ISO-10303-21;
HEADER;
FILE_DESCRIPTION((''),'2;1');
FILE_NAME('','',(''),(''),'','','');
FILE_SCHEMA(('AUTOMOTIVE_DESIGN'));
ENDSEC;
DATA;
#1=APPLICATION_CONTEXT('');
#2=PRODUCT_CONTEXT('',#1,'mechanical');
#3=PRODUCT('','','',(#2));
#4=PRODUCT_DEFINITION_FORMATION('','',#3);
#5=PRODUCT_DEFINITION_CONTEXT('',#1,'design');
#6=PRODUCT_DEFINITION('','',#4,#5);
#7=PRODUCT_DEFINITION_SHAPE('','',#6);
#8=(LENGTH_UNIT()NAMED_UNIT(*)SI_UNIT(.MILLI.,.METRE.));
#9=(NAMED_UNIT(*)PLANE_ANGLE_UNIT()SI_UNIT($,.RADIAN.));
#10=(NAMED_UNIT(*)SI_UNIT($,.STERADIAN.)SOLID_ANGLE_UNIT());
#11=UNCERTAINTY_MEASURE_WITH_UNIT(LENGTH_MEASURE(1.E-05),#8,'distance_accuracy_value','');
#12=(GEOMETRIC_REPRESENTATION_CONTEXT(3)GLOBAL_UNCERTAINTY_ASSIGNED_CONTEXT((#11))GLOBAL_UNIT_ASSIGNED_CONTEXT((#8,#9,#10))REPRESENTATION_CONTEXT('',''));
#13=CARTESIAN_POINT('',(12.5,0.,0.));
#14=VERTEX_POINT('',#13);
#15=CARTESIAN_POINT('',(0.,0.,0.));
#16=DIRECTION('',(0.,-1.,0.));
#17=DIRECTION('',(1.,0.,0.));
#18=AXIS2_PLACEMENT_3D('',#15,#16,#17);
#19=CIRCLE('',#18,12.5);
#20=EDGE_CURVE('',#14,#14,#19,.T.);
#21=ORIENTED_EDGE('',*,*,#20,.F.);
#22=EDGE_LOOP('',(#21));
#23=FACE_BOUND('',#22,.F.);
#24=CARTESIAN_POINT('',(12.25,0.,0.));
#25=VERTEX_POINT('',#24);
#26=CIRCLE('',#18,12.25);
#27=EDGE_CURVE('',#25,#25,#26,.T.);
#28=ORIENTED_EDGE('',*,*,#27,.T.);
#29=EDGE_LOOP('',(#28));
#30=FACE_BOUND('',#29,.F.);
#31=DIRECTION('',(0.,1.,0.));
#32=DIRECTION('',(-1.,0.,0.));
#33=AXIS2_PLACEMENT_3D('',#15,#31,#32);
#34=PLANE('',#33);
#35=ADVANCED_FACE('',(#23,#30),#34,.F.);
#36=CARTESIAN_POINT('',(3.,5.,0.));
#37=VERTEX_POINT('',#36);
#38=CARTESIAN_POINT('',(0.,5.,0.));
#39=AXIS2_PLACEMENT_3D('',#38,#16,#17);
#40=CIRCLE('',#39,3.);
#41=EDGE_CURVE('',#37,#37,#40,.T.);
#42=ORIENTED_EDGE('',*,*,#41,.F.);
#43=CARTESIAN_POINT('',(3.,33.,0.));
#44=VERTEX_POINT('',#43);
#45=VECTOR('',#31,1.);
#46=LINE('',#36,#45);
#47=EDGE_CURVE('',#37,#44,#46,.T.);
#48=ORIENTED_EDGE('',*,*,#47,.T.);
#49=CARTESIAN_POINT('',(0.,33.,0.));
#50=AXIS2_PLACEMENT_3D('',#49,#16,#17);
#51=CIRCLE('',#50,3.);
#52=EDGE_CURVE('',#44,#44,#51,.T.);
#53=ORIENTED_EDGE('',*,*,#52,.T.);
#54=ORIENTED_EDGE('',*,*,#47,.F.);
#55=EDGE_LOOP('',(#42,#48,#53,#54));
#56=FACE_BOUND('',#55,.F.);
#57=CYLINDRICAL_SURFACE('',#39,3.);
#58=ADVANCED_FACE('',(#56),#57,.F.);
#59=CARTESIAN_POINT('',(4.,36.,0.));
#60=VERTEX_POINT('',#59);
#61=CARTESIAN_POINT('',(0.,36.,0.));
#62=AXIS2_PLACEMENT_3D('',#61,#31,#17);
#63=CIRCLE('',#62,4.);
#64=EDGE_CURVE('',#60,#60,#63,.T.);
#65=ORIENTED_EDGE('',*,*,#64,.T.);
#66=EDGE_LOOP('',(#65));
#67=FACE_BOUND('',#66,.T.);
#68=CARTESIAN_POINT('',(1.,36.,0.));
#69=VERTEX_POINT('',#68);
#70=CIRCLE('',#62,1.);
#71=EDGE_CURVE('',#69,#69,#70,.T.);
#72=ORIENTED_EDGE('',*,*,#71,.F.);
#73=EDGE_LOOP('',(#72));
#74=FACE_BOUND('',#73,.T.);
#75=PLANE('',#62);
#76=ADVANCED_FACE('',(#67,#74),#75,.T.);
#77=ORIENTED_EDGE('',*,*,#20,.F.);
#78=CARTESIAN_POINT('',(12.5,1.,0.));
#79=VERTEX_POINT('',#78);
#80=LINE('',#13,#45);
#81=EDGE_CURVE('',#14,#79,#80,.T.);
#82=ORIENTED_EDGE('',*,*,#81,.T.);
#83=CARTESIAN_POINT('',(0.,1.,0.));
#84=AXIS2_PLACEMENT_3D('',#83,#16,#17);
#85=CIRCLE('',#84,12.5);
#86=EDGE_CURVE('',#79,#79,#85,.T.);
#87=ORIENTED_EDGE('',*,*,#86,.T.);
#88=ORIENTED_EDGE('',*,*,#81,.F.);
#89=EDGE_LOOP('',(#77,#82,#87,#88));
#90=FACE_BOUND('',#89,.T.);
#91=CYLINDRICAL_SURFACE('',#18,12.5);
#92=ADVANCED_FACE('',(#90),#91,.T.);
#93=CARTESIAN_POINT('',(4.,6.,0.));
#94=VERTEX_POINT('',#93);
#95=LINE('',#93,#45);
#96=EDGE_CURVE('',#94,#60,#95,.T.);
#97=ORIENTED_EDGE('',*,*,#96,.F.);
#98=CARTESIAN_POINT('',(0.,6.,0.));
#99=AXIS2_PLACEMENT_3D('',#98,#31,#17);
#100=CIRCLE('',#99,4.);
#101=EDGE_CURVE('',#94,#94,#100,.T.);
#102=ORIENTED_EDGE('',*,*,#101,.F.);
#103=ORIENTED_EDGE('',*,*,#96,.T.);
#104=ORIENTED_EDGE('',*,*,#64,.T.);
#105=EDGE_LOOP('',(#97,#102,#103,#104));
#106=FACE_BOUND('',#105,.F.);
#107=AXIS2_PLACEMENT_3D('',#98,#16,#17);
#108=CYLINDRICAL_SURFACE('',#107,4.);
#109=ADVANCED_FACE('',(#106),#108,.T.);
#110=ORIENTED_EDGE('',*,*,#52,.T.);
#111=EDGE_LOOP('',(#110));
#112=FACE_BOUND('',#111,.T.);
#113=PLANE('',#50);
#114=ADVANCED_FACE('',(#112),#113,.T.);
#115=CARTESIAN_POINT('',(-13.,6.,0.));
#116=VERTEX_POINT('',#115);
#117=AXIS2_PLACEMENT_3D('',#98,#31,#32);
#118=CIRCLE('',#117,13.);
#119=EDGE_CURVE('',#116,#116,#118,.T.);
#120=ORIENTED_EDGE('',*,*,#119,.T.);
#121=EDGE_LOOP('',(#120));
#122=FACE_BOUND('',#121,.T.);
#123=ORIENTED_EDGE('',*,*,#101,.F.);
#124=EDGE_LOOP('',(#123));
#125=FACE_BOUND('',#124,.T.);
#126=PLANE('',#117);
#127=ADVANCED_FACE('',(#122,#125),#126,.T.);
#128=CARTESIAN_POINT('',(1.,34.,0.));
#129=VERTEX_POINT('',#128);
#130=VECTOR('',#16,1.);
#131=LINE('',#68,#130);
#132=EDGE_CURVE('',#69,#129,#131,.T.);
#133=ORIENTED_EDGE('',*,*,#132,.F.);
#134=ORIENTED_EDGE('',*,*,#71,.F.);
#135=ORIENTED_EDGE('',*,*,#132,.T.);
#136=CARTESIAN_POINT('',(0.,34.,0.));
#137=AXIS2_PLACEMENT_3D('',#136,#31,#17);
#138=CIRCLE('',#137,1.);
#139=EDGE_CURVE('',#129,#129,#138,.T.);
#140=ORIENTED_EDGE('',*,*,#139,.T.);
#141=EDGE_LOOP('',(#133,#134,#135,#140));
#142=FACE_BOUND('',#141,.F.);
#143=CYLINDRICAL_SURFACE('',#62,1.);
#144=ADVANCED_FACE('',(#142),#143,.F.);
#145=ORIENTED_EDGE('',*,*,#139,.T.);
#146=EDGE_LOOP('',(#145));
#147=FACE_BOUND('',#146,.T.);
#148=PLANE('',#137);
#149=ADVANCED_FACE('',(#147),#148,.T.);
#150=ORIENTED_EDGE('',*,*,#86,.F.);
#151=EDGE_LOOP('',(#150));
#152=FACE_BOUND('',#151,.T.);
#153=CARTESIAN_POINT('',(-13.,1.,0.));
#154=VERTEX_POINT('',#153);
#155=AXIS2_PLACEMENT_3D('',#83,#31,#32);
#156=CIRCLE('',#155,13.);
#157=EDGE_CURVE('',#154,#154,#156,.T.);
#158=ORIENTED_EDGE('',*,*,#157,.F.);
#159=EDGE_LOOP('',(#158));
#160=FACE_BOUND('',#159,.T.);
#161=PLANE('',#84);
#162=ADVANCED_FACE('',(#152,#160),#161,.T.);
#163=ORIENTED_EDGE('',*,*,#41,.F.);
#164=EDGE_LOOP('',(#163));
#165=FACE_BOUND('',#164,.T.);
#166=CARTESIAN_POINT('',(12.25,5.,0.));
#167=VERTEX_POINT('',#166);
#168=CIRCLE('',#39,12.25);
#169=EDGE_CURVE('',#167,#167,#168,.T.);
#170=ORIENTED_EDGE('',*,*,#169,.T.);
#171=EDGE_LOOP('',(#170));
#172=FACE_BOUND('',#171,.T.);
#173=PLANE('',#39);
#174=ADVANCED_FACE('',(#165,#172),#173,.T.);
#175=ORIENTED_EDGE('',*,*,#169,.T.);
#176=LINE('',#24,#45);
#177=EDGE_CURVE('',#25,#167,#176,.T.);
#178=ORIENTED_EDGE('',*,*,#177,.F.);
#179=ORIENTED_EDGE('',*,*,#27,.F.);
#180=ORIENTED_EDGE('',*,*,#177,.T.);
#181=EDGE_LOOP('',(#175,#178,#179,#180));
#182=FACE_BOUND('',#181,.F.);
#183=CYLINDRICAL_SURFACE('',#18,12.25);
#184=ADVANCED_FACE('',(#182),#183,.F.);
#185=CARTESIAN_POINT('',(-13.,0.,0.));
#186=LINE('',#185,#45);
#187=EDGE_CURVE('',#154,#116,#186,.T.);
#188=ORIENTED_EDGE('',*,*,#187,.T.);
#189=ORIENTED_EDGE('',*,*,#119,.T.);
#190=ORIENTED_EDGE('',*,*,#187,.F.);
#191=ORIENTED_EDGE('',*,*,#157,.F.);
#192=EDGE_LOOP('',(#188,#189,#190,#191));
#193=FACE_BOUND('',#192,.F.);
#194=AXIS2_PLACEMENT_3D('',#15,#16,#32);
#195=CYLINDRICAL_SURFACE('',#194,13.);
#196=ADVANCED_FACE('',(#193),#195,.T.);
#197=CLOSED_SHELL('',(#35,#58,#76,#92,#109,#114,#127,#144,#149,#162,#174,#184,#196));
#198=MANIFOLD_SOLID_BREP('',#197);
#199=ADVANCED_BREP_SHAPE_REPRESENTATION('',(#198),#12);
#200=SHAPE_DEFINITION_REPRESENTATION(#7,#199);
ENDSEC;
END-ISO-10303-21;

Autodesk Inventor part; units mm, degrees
ref_plane "YZ Plane" through (0, 0, 0) normal (1, 0, 0) x (0, 1, 0)
ref_plane "XZ Plane" through (0, 0, 0) normal (0, 1, 0) x (-1, 0, 0)
ref_plane "XY Plane" through (0, 0, 0) normal (0, 0, 1) x (1, 0, 0)
sketch "Sketch1" plane through (0, 0, 0) normal (0, 1, 0) x (-1, 0, 0)
  circle A0 centre (0, 0) radius 13
  dimension "d0" = 26
extrude "Extrusion1" add sketch "Sketch1" along normal blind 6
sketch "Sketch2" plane through (0, 0, 0) normal (0, -1, 0) x (1, 0, 0)
  circle A0 centre (0, 0) radius 12.5
  circle A1 centre (0, 0) radius 13 projected
  dimension "d3" = 25
extrude "Extrusion2" cut sketch "Sketch2" against normal blind 1
sketch "Sketch3" plane through (0, 0, 0) normal (0, -1, 0) x (1, 0, 0)
  circle A0 centre (0, 0) radius 12.25
  dimension "d6" = 24.5
extrude "Extrusion3" cut sketch "Sketch3" against normal blind 5
sketch "Sketch4" plane through (0, 6, 0) normal (0, 1, 0) x (1, 0, 0)
  circle A0 centre (0, 0) radius 4
  dimension "d9" = 8
extrude "Extrusion4" add sketch "Sketch4" along normal blind 30
sketch "Sketch5" plane through (0, 36, 0) normal (0, 1, 0) x (1, 0, 0)
  circle A0 centre (0, 0) radius 4 projected
  circle A1 centre (0, 0) radius 1
  dimension "d12" = 2
extrude "Extrusion5" cut sketch "Sketch5" against normal blind 2 contours A1
sketch "Sketch6" plane through (0, 5, 0) normal (0, -1, 0) x (1, 0, 0)
  circle A0 centre (0, 0) radius 3
  dimension "d15" = 6
extrude "Extrusion6" cut sketch "Sketch6" against normal blind 28
properties part number "Actuador"
